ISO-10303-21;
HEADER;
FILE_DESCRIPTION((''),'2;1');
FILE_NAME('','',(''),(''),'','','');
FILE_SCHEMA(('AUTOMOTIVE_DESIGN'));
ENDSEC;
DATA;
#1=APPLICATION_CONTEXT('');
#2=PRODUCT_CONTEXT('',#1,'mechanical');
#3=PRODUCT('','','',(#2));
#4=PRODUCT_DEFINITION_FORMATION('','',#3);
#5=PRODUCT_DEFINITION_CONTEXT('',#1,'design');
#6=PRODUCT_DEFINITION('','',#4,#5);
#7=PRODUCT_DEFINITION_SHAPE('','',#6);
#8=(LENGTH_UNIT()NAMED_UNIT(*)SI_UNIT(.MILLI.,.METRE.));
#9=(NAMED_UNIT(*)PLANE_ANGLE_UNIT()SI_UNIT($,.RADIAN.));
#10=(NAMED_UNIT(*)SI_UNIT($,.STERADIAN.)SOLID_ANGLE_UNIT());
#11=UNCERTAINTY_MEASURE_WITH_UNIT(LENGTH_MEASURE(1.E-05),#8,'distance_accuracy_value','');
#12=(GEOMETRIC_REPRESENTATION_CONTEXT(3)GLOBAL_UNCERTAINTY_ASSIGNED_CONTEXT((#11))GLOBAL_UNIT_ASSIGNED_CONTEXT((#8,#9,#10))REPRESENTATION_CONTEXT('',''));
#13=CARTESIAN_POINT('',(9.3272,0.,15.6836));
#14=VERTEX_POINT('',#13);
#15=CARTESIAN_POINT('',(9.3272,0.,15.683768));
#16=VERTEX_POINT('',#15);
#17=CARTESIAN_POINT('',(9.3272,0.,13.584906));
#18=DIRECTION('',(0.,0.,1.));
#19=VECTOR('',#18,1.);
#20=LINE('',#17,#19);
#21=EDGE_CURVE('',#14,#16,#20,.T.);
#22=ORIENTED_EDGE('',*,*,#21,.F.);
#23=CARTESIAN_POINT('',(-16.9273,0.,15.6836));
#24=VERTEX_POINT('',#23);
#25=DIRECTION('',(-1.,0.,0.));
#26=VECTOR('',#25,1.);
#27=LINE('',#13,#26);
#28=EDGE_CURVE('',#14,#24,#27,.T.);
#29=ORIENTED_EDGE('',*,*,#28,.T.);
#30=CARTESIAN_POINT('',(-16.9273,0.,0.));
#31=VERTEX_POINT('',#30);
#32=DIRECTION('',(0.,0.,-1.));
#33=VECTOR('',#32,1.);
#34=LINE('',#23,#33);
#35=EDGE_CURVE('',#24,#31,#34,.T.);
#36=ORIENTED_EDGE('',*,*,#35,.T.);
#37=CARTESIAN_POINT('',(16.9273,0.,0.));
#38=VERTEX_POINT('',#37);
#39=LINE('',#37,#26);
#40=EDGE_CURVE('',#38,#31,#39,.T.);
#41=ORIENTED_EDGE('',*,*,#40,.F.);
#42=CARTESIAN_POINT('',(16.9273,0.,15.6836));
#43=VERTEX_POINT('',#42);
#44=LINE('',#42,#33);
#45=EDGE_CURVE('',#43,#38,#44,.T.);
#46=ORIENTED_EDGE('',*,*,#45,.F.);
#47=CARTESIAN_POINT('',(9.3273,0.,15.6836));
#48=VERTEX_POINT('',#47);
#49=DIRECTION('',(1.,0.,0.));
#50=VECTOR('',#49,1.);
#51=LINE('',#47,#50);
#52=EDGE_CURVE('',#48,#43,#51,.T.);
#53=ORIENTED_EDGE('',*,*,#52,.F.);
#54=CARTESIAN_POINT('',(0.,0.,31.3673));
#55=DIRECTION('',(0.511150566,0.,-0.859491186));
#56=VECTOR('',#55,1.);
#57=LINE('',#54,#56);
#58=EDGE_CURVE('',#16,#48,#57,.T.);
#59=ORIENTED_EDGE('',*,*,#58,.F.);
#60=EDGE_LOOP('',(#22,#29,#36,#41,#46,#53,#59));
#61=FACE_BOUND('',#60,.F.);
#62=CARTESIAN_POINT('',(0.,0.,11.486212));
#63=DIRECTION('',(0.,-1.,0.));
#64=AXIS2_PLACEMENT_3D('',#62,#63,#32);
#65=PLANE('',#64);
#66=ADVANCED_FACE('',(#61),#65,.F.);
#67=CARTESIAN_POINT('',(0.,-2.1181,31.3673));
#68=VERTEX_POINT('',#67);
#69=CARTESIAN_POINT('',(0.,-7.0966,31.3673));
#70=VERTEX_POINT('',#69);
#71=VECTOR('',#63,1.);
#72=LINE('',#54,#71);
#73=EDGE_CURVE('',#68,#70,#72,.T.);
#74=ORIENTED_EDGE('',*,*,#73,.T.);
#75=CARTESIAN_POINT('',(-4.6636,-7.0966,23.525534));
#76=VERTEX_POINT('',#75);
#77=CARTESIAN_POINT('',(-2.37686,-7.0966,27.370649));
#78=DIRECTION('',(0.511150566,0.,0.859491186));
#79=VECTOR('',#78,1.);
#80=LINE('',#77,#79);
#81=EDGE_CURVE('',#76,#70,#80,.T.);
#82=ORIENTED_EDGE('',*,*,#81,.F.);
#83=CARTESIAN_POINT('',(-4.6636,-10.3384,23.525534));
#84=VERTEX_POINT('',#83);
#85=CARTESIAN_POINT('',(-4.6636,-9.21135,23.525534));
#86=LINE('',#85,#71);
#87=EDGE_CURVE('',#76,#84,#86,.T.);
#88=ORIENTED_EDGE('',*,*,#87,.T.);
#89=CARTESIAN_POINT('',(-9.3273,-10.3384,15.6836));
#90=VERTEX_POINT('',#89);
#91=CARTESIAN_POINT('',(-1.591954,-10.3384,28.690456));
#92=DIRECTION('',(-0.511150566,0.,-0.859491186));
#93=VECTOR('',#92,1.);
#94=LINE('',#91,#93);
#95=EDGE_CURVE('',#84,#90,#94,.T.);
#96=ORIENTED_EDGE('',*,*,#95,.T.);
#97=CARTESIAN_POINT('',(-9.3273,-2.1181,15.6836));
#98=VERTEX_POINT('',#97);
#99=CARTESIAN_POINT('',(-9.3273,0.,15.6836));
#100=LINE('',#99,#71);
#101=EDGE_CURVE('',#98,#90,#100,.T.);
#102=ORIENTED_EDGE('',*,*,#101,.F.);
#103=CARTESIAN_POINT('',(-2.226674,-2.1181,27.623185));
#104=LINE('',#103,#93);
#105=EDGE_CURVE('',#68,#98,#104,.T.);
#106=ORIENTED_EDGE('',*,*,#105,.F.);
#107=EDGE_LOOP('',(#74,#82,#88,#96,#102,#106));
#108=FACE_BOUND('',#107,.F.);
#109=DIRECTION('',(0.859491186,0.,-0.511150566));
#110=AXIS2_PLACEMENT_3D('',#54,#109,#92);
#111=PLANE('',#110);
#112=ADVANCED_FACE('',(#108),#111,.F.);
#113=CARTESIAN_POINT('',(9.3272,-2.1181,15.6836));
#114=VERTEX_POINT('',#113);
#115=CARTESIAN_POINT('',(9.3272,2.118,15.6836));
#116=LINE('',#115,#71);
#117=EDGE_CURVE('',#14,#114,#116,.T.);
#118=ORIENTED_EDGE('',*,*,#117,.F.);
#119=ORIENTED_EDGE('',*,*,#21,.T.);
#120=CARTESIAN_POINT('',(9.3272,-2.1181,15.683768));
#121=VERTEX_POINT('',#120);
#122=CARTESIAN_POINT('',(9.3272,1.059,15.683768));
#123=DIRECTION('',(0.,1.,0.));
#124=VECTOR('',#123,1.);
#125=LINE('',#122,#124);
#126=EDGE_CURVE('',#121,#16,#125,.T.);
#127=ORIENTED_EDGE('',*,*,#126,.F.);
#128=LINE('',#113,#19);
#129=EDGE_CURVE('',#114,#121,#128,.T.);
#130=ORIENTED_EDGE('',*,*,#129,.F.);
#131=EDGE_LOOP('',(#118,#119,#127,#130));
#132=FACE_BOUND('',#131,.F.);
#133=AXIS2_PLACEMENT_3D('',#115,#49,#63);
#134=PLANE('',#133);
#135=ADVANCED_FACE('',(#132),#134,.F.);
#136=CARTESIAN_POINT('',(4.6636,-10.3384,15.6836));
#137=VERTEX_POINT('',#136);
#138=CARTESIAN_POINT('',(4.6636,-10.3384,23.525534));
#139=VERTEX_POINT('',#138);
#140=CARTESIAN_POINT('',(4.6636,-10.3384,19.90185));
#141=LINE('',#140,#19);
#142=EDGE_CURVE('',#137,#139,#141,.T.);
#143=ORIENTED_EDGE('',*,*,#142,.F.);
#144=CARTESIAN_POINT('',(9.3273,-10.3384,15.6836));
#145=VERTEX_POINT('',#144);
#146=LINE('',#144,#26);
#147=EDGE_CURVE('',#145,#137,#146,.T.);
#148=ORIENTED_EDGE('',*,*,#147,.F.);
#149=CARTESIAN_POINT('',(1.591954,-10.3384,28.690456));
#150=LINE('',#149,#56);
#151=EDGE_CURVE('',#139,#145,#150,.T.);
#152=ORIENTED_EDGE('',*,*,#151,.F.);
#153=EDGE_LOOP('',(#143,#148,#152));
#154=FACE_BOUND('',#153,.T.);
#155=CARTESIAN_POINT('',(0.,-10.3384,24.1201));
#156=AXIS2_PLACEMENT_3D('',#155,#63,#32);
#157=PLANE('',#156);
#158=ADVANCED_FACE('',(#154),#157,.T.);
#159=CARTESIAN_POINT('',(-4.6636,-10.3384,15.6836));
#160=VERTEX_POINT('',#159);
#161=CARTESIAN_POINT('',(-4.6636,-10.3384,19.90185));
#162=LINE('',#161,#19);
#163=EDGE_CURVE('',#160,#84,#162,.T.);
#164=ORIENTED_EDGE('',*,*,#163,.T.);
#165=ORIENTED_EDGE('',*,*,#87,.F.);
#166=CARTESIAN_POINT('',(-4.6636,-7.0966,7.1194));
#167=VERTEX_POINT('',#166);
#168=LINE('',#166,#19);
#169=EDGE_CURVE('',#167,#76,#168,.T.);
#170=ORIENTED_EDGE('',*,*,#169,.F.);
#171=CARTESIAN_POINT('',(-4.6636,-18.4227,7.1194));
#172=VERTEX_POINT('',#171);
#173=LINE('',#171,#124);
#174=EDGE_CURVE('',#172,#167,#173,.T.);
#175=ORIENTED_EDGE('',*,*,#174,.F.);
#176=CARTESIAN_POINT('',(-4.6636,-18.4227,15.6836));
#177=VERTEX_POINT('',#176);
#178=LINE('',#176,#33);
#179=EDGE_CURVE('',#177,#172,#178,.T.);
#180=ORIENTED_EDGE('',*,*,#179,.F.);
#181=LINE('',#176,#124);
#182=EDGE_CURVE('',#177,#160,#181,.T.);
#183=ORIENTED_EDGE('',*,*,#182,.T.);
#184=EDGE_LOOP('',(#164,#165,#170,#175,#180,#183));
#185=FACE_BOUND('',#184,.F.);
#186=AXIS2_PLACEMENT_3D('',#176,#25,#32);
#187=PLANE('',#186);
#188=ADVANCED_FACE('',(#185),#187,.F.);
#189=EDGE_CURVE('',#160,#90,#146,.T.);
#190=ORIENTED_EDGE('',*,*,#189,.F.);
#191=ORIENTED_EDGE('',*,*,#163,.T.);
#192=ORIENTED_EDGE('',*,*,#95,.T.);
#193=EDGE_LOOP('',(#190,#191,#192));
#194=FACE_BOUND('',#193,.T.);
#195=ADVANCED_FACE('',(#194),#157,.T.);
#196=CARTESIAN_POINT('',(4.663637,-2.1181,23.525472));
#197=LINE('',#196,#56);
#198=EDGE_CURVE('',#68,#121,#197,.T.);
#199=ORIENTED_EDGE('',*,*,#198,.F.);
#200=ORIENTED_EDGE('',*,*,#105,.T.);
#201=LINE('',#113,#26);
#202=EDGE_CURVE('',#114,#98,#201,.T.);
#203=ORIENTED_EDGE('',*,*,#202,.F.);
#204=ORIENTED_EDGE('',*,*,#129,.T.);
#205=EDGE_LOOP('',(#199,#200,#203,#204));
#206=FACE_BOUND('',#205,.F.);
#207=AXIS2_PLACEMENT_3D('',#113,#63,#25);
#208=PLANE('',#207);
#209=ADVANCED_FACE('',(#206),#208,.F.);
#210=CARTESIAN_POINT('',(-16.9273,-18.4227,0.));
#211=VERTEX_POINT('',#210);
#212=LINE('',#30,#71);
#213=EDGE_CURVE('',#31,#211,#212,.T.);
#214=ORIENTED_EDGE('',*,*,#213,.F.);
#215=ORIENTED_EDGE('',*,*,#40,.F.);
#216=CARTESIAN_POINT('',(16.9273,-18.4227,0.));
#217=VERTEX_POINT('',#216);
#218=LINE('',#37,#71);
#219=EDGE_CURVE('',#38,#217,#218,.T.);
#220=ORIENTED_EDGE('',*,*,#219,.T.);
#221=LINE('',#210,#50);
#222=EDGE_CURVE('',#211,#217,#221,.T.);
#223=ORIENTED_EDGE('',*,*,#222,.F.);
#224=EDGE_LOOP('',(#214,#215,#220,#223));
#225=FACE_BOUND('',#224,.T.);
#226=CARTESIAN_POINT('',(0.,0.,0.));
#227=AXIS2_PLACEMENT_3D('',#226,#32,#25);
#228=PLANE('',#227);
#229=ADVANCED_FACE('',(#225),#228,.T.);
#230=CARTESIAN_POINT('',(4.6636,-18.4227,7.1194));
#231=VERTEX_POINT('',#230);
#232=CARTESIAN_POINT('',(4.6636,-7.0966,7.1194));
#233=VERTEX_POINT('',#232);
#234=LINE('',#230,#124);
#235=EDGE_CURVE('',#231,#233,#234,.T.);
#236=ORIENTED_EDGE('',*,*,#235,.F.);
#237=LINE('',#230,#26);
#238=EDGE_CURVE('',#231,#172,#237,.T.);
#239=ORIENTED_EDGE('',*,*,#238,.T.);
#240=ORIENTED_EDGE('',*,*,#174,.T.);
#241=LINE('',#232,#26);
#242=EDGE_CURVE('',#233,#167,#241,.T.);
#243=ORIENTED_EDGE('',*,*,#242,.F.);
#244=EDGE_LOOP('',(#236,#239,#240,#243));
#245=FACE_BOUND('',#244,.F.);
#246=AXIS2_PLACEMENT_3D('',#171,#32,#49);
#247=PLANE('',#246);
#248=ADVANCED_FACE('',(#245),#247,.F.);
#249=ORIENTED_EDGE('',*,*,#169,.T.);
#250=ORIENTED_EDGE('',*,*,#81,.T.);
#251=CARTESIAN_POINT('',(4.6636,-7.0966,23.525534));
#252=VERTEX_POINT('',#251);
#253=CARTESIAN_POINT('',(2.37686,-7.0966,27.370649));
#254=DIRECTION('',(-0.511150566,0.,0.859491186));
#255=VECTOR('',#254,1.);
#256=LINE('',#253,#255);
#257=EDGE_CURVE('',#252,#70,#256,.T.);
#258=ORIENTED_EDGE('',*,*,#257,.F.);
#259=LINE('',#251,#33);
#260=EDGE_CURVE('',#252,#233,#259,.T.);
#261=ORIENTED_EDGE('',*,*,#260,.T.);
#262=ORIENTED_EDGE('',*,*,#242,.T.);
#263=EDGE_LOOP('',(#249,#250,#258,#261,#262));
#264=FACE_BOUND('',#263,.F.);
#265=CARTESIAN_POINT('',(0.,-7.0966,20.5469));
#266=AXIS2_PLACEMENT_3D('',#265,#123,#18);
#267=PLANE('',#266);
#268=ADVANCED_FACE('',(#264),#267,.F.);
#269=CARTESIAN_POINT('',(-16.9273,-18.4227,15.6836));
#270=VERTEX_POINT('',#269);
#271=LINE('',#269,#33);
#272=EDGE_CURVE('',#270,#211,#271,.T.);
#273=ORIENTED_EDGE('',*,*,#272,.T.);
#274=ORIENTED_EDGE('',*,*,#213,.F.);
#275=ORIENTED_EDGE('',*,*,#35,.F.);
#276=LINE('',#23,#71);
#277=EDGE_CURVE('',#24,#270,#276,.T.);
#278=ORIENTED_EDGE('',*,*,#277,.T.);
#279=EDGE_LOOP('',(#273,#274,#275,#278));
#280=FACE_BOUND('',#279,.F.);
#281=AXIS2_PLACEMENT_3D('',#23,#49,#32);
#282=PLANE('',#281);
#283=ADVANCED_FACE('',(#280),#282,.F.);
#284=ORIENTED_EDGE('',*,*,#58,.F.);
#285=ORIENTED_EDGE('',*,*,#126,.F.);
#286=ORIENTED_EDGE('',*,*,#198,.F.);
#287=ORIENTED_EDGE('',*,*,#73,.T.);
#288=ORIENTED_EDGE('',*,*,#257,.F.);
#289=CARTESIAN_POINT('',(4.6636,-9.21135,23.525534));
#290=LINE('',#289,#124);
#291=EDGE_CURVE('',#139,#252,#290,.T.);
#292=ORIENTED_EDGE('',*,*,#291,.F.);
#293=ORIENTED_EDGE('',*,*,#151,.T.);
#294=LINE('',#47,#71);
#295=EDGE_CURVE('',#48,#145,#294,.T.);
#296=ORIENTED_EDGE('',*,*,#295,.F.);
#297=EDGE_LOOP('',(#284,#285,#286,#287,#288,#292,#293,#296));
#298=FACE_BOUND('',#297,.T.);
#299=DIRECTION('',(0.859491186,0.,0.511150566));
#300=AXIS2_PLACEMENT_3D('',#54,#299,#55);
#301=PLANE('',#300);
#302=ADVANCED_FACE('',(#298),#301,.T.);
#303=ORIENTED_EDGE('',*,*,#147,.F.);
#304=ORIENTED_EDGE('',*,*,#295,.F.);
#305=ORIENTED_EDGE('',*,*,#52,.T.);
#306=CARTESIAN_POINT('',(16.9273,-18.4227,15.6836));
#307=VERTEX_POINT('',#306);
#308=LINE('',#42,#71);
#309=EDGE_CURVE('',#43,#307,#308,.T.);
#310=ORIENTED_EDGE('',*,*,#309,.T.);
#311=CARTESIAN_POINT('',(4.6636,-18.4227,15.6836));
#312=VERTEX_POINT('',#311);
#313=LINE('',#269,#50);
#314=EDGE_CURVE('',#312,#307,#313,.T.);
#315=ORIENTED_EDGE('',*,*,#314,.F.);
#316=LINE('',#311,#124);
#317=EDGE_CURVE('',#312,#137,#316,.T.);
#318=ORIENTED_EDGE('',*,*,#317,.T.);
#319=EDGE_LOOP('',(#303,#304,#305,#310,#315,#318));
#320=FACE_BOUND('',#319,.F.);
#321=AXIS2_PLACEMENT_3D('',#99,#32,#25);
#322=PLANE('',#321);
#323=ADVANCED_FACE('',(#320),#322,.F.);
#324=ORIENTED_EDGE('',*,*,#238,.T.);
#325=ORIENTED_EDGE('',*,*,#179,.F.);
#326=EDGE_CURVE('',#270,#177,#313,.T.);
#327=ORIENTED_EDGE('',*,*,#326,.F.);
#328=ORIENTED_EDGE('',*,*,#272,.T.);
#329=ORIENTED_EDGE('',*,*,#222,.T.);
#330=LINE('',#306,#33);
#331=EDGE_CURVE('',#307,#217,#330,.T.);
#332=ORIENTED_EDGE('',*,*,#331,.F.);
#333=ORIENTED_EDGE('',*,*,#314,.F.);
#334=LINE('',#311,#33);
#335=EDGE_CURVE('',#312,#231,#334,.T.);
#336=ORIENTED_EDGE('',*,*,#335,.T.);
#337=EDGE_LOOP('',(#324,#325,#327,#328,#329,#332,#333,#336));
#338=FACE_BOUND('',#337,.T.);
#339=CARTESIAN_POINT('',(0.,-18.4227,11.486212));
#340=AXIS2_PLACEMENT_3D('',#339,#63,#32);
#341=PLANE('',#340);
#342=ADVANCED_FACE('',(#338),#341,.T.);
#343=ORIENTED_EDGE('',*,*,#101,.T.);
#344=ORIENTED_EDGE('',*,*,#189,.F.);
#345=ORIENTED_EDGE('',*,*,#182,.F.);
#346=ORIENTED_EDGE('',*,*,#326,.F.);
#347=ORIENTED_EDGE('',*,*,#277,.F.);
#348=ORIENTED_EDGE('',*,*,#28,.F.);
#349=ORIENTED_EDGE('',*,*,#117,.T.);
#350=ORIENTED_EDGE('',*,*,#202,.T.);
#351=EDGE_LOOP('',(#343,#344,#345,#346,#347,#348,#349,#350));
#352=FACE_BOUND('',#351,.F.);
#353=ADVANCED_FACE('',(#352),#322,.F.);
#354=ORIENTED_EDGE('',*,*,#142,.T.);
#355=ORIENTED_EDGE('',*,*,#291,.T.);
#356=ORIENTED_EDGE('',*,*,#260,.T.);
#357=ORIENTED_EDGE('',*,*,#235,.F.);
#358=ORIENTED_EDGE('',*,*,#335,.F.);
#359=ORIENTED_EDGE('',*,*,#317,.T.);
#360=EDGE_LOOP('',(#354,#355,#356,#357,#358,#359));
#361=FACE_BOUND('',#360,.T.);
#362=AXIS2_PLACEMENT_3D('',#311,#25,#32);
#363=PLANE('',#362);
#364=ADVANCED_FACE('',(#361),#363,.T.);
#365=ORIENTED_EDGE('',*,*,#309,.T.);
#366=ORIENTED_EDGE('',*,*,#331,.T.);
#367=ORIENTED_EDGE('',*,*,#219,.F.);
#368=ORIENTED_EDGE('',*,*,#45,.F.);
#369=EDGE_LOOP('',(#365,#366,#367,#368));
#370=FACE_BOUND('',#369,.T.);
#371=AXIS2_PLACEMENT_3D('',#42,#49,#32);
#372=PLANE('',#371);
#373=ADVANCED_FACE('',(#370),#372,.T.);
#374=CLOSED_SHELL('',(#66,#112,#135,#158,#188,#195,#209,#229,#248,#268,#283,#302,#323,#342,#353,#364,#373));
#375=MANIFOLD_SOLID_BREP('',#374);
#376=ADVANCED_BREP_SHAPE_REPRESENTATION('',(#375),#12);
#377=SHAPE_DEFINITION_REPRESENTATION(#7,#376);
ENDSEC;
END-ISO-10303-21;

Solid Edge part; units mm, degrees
sketch "Sketch1" plane through (0, 0, 0) normal (0, 1, 0) x (-1, 0, 0)
  line L0 (0, 31.3673) -> (9.3273, 15.6836)
  line L1 (9.3273, 15.6836) -> (16.9273, 15.6836)
  line L2 (16.9273, 15.6836) -> (16.9273, 0)
  line L3 (0, 0) -> (16.9273, 0)
  line L4 (-16.9273, 0) -> (0, 0)
  line L5 (-16.9273, 15.6836) -> (-16.9273, 0)
  line L6 (-9.3273, 15.6836) -> (-16.9273, 15.6836)
  line L7 (0, 31.3673) -> (-9.3273, 15.6836)
extrude "Protrusion1" add sketch "Sketch1" against normal blind 18.4227
sketch "Sketch2" plane through (-13.1273, -9.2114, 15.6836) normal (0, 0, 1) x (-1, 0, 0)
  line L0 (-3.8, -11.3294) -> (-22.4545, -11.3294)
  line L1 (-22.4545, -11.3294) -> (-22.4545, -7.0933)
  line L2 (-22.4545, -7.0933) -> (-3.8, -7.0933)
  line L3 (-3.8, -7.0933) -> (-3.8, -11.3294)
extrude "ExtrudedCutout_1" cut sketch "Sketch2" along normal blind 17.7941
sketch "Sketch3" plane through (0, -18.4227, 15.6836) normal (0, -1, 0) x (1, 0, 0)
  line L0 (9.3273, 16.873) -> (-9.3273, 16.873)
  line L1 (-9.3273, 16.873) -> (-9.3273, 0)
  line L2 (-9.3273, 0) -> (0, 0)
  line L3 (0, 0) -> (9.3273, 0)
  line L4 (9.3273, 0) -> (9.3273, 16.873)
extrude "ExtrudedCutout_2" cut sketch "Sketch3" against normal blind 8.0843
sketch "Sketch4" plane through (0, -18.4227, 7.8418) normal (0, -1, 0) x (1, 0, 0)
  line L0 (-4.6636, 26.1326) -> (4.6636, 26.1326)
  line L1 (4.6636, 7.8418) -> (4.6636, 26.1326)
  line L2 (4.6636, 7.8418) -> (4.6636, -0.7224)
  line L3 (4.6636, -0.7224) -> (0, -0.7224)
  line L4 (-4.6636, -0.7224) -> (0, -0.7224)
  line L5 (-4.6636, 7.8418) -> (-4.6636, -0.7224)
  line L6 (-4.6636, 7.8418) -> (-4.6636, 26.1326)
extrude "ExtrudedCutout_4" cut sketch "Sketch4" against normal blind 11.3261
